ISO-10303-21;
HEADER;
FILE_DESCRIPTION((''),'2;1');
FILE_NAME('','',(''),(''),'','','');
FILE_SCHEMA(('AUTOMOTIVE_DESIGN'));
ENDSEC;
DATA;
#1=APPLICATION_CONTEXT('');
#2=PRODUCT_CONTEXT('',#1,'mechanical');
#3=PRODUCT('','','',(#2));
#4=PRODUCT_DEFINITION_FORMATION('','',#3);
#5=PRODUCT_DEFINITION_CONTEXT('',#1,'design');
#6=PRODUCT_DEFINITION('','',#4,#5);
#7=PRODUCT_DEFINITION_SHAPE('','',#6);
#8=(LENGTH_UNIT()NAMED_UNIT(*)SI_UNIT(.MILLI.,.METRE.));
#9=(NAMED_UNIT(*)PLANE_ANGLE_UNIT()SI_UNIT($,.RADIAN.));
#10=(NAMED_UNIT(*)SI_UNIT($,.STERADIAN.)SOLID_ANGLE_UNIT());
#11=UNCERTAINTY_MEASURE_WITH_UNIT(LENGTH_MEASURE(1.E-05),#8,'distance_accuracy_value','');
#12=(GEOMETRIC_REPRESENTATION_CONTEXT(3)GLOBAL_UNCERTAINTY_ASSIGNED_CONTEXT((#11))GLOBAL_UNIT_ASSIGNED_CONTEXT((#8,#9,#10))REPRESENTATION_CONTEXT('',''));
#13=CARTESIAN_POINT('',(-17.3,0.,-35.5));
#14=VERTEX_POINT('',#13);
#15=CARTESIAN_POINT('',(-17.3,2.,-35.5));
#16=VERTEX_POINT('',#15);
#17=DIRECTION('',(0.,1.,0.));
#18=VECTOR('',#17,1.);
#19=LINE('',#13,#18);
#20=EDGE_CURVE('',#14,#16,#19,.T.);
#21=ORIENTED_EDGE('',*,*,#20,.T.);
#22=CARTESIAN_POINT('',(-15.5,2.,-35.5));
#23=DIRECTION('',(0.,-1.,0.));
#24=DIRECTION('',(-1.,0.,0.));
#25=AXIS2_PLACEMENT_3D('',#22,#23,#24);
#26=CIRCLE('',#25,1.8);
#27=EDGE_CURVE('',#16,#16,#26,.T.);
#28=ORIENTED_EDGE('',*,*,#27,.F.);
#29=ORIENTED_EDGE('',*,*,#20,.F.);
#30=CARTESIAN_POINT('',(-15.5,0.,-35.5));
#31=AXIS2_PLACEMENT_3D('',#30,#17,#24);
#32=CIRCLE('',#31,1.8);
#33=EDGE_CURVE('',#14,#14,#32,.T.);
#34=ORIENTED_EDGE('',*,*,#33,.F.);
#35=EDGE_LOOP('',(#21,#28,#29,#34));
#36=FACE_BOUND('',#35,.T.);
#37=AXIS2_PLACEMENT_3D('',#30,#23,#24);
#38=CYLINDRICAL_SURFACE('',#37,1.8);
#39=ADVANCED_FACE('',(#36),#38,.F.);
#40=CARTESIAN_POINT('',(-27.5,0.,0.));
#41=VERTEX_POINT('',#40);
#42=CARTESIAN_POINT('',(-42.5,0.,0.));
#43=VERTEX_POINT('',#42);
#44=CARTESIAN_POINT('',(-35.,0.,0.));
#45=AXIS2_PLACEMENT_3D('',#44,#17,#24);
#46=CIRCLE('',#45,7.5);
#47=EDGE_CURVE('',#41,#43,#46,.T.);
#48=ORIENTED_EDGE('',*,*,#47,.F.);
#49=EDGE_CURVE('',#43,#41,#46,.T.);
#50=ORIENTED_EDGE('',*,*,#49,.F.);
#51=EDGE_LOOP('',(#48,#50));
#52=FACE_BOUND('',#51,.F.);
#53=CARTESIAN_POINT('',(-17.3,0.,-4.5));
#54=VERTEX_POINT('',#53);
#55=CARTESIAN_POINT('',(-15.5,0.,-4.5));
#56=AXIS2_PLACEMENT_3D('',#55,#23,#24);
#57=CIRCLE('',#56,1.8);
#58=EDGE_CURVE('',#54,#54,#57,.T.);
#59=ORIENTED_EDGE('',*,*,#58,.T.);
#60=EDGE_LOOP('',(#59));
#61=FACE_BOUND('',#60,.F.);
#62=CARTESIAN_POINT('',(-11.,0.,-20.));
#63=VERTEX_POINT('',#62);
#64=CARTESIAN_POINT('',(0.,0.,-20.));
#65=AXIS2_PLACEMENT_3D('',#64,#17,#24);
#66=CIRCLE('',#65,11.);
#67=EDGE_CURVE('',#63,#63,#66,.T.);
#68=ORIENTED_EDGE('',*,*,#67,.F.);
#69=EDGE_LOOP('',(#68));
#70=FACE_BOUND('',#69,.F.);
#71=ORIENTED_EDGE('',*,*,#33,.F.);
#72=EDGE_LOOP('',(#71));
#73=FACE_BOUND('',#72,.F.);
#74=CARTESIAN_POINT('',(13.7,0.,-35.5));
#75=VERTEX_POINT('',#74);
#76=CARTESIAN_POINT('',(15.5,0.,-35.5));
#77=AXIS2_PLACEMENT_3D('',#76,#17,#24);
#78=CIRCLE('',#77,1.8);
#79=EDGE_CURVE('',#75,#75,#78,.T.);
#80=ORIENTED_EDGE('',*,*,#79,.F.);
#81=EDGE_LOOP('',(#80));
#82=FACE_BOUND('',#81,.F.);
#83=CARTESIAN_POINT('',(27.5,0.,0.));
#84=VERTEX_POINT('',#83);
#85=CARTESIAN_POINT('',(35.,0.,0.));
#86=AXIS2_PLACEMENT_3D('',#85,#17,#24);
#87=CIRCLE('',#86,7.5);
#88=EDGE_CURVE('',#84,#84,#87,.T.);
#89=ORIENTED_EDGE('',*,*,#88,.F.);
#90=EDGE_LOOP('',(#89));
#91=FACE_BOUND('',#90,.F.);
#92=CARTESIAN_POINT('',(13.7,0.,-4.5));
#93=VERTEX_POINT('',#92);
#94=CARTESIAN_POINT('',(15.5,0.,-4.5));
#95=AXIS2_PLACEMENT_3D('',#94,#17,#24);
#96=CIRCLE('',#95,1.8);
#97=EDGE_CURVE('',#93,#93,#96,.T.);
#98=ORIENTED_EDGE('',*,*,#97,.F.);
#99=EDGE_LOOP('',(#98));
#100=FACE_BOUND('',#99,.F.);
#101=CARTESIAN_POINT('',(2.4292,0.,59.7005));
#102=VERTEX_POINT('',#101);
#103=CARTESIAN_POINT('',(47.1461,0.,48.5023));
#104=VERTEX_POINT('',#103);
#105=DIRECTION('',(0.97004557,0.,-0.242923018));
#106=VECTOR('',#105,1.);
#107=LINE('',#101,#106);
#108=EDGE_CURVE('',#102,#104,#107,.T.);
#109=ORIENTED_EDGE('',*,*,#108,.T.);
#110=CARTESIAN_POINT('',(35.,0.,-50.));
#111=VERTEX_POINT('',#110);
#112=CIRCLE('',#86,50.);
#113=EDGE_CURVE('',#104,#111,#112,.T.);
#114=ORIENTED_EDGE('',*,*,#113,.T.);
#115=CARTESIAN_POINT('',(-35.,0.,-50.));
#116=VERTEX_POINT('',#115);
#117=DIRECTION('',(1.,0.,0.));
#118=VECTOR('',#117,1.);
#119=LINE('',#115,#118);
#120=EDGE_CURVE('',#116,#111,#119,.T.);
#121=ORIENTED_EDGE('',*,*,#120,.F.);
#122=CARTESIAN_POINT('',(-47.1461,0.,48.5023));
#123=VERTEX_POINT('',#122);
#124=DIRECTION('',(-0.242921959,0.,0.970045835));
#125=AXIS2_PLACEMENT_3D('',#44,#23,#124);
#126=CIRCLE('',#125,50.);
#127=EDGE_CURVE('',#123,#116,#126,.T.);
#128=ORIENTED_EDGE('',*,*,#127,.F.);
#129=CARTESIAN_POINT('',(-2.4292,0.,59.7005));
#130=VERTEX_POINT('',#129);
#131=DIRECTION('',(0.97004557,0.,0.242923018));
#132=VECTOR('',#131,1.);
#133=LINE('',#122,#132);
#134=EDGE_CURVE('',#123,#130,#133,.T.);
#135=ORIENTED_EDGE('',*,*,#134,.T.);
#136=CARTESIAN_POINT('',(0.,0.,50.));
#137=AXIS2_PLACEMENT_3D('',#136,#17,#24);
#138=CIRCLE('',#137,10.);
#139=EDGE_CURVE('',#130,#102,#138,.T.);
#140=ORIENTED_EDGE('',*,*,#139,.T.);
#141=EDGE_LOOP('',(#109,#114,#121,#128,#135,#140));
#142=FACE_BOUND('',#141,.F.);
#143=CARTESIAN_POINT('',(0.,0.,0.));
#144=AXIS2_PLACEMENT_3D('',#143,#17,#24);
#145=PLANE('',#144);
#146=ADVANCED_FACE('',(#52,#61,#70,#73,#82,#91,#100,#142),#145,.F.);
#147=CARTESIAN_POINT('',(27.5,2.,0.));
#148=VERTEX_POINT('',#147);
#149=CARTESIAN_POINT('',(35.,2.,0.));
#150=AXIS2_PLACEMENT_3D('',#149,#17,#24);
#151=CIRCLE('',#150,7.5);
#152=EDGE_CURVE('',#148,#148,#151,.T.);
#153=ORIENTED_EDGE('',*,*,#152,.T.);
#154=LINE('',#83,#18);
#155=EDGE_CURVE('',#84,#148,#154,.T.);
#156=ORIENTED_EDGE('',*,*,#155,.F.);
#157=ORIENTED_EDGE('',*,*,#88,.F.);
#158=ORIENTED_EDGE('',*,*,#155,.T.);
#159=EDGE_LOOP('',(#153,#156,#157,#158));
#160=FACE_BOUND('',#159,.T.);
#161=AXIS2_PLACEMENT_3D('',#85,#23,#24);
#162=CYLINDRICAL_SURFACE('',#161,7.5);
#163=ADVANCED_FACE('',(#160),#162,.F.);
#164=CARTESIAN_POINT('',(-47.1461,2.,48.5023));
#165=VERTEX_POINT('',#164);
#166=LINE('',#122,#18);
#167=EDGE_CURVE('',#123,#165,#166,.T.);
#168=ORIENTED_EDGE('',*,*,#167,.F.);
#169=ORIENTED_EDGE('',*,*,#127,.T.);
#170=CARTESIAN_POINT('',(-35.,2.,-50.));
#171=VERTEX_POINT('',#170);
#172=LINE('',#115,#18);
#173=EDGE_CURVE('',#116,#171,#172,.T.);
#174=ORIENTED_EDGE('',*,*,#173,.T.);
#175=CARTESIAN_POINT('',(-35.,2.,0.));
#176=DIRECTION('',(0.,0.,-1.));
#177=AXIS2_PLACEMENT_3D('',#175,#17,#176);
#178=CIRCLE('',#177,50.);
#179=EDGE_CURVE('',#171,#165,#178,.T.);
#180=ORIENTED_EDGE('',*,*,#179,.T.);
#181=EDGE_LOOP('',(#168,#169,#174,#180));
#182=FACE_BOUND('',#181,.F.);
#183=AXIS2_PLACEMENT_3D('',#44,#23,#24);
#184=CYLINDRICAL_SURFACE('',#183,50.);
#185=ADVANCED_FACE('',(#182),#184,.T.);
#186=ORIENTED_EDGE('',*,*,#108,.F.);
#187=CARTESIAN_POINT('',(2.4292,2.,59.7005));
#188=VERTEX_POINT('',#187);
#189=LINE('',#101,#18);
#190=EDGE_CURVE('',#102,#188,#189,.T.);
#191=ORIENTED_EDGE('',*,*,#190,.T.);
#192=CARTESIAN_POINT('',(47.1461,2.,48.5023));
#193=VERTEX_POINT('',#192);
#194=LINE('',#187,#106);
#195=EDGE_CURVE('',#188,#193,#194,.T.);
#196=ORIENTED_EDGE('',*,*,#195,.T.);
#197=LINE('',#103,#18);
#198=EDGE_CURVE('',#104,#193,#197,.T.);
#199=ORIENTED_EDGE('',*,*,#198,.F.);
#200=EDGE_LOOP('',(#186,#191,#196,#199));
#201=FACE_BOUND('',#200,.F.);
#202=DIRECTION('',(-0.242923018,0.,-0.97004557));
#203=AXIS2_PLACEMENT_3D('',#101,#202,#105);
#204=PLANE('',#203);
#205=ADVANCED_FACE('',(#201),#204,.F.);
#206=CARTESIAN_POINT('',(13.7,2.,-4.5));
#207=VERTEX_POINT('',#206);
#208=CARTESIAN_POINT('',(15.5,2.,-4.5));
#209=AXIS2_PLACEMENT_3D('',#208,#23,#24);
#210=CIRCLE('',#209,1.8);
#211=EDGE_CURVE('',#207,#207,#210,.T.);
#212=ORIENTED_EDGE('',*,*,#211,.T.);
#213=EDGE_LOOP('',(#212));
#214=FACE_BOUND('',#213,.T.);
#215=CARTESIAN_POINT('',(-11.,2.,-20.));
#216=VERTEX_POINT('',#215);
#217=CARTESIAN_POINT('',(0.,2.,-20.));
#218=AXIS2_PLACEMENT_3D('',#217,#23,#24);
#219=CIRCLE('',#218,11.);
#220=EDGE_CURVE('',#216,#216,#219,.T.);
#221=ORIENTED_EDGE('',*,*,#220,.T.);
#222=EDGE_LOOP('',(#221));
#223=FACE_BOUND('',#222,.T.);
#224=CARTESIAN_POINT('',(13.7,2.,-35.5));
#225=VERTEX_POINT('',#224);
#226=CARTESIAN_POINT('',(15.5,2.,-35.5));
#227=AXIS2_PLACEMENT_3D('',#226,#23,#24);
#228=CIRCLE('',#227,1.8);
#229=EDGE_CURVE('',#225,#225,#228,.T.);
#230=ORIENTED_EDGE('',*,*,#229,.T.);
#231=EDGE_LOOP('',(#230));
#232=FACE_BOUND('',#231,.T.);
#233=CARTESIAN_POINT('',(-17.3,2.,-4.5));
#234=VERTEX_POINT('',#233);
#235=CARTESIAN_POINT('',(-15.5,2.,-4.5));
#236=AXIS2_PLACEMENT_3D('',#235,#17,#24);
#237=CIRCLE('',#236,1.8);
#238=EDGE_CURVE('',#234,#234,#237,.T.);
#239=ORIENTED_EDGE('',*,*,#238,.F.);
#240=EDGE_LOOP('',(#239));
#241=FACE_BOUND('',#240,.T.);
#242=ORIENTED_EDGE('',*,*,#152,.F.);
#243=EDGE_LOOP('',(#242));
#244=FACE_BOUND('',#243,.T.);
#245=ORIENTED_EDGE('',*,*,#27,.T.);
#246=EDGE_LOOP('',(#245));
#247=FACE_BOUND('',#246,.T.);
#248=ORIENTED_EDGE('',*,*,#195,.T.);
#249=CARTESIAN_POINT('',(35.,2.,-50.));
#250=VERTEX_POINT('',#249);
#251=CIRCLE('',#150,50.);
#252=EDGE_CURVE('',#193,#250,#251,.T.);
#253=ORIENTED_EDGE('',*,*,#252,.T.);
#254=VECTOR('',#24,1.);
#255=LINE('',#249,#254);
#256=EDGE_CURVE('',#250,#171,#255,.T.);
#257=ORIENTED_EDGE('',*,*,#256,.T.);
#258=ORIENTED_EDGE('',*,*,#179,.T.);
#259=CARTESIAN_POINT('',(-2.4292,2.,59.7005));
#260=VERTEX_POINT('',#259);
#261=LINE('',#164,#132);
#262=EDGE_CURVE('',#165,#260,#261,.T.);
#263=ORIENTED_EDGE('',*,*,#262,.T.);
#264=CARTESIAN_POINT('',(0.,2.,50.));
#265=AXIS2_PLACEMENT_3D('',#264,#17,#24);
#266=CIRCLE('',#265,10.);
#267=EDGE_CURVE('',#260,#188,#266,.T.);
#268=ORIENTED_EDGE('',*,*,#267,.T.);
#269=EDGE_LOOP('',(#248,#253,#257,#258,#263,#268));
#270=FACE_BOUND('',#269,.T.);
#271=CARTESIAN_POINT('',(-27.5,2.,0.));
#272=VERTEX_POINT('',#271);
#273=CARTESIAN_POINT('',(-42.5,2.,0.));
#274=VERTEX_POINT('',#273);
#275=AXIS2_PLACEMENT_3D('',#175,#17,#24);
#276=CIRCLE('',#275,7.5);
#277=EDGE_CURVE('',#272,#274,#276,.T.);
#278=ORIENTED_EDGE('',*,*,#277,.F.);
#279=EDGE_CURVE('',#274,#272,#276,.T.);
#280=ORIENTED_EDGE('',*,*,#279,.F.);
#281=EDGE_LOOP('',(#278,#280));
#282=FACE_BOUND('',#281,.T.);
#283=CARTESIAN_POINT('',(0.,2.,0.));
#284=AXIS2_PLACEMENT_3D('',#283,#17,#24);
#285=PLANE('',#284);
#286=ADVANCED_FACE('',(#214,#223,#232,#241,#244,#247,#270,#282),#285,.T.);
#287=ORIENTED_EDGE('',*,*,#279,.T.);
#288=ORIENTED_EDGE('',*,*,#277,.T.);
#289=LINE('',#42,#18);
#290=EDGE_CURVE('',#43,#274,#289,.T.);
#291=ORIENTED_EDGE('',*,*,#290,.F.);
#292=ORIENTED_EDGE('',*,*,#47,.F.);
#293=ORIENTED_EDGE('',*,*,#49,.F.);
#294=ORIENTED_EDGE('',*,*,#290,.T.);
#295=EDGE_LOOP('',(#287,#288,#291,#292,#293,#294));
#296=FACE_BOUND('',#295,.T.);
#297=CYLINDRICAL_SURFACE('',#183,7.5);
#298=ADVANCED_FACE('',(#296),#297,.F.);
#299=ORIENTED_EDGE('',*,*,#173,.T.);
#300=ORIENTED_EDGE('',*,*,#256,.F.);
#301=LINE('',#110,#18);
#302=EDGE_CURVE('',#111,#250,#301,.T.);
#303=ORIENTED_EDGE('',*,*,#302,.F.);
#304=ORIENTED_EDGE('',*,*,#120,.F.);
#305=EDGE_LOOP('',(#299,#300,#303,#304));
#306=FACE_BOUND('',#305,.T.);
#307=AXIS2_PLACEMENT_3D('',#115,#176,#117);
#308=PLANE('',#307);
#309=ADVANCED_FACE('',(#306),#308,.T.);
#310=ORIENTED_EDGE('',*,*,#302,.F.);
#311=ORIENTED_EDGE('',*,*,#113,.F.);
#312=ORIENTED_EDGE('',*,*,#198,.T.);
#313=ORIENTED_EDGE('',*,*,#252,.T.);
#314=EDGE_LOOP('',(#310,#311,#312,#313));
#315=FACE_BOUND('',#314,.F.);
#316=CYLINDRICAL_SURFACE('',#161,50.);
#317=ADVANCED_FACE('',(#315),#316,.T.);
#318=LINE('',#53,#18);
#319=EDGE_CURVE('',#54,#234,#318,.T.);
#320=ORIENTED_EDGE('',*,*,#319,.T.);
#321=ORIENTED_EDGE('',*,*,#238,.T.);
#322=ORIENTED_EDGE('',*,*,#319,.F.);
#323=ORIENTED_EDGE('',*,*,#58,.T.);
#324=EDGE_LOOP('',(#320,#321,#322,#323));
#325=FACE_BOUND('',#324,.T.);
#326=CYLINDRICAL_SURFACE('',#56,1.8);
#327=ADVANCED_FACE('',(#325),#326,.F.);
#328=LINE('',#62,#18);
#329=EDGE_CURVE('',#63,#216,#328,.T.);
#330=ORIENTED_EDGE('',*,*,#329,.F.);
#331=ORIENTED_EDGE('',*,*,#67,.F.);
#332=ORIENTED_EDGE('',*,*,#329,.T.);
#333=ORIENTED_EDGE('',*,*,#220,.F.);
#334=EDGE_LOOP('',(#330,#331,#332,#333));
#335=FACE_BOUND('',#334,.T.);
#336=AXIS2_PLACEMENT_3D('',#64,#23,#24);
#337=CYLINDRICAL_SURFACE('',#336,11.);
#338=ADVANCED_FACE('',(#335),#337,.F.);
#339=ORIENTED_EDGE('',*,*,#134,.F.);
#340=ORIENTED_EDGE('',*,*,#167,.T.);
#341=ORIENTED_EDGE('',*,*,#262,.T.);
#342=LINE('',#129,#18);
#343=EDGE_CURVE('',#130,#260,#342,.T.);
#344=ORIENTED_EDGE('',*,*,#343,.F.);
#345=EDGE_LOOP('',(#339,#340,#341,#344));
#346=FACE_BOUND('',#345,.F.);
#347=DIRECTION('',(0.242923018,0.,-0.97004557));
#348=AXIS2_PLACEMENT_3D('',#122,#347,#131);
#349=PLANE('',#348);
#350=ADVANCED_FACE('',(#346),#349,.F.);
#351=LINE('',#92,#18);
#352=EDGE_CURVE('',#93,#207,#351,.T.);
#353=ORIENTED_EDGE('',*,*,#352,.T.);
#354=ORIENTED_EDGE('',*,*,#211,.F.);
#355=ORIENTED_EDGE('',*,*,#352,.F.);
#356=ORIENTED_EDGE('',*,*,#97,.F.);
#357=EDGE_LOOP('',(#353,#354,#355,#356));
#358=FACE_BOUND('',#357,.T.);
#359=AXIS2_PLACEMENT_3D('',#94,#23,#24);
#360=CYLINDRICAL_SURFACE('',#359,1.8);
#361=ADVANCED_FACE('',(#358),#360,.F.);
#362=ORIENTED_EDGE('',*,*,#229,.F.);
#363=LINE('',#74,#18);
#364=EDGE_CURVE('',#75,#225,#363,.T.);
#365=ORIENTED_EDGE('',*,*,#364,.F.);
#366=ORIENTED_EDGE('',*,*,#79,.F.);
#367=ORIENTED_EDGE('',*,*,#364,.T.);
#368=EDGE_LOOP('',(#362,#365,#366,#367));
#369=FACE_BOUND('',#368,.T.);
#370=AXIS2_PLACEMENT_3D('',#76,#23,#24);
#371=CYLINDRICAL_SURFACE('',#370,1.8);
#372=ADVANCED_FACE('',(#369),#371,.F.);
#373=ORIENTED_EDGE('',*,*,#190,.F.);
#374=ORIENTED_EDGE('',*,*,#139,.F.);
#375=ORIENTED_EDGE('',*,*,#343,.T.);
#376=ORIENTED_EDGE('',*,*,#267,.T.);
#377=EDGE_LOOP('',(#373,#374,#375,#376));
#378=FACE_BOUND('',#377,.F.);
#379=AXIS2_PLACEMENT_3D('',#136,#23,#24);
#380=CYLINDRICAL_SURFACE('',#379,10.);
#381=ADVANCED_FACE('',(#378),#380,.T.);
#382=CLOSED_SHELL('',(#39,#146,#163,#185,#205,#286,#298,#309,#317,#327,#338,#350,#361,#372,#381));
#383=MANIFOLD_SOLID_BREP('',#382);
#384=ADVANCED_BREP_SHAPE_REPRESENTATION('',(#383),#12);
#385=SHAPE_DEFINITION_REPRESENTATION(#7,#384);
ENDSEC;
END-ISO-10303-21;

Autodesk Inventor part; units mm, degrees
ref_plane "YZ Plane" through (0, 0, 0) normal (1, 0, 0) x (0, 1, 0)
ref_plane "XZ Plane" through (0, 0, 0) normal (0, 1, 0) x (-1, 0, 0)
ref_plane "XY Plane" through (0, 0, 0) normal (0, 0, 1) x (1, 0, 0)
sketch "Sketch1" plane through (0, 0, 0) normal (0, 1, 0) x (-1, 0, 0)
  line L0 (35, 0) -> (-35, 0)
  circle A0 centre (-35, 0) radius 7.5
  circle A1 centre (35, 0) radius 7.5
  circle A2 centre (35, 0) radius 50
  circle A3 centre (-35, 0) radius 50
  line L1 (35, -50) -> (-35, -50)
  line L2 (0, -50) -> (0, -35.5)
  line L3 (15.5, -35.5) -> (-15.5, -35.5)
  line L4 (15.5, -35.5) -> (-15.5, -35.5)
  line L5 (-15.5, -35.5) -> (-15.5, -4.5)
  line L6 (-15.5, -4.5) -> (15.5, -4.5)
  line L7 (15.5, -4.5) -> (15.5, -35.5)
  circle A4 centre (15.5, -35.5) radius 1.8
  circle A5 centre (-15.5, -35.5) radius 1.8
  circle A6 centre (-15.5, -4.5) radius 1.8
  circle A7 centre (15.5, -4.5) radius 1.8
  line L8 (15.5, -35.5) -> (-15.5, -4.5)
  line L9 (-15.5, -4.5) -> (-15.5, -35.5)
  line L10 (-15.5, -35.5) -> (15.5, -4.5)
  circle A8 centre (0, -20) radius 11
  line L11 (0, 0) -> (0, 50)
  circle A9 centre (0, 50) radius 10
  line L12 (47.1461, 48.5023) -> (2.4292, 59.7005)
  line L13 (-2.4292, 59.7005) -> (-47.1461, 48.5023)
  point P0 (0, 35.7071)
  dimension "d0" = 70
  dimension "d1" = 15
  dimension "d2" = 15
  dimension "d3" = 100
  dimension "d4" = 100
  dimension "d5" = 14.5
  dimension "d6" = 31
  dimension "d7" = 31
  dimension "d8" = 3.6
  dimension "d9" = 3.6
  dimension "d10" = 3.6
  dimension "d11" = 3.6
  dimension "d14" = 22
  dimension "d15" = 50
  dimension "d16" = 20
extrude "Extrusion1" add sketch "Sketch1" along normal blind 2 contours A3 A7 L6 A6 A2 L0 | L0 L11 A3 | A3 A2 L3 A4 L7 A7 | L0 A2 L11 | L11 A9 L12 A2 | A2 A6 L5 A5 L3 A3 | A3 L13 A9 L11 | A9 | A7 L10 A8 L8 A6 L6 | A3 L2 L1 | L7 A4 L8 A8 A3 A7 | A7 A3 A8 L10 | A6 A2 A8 L10 A5 L5 | L1 L2 A2 | L2 L3 A3 | A2 L3 L2 | L8 A8 A2 A6 | L3 A5 L10 A8 A2 | A2 A8 A3 L3 | A3 A8 L8 A4 L3
properties part number "Extruder Frame"
